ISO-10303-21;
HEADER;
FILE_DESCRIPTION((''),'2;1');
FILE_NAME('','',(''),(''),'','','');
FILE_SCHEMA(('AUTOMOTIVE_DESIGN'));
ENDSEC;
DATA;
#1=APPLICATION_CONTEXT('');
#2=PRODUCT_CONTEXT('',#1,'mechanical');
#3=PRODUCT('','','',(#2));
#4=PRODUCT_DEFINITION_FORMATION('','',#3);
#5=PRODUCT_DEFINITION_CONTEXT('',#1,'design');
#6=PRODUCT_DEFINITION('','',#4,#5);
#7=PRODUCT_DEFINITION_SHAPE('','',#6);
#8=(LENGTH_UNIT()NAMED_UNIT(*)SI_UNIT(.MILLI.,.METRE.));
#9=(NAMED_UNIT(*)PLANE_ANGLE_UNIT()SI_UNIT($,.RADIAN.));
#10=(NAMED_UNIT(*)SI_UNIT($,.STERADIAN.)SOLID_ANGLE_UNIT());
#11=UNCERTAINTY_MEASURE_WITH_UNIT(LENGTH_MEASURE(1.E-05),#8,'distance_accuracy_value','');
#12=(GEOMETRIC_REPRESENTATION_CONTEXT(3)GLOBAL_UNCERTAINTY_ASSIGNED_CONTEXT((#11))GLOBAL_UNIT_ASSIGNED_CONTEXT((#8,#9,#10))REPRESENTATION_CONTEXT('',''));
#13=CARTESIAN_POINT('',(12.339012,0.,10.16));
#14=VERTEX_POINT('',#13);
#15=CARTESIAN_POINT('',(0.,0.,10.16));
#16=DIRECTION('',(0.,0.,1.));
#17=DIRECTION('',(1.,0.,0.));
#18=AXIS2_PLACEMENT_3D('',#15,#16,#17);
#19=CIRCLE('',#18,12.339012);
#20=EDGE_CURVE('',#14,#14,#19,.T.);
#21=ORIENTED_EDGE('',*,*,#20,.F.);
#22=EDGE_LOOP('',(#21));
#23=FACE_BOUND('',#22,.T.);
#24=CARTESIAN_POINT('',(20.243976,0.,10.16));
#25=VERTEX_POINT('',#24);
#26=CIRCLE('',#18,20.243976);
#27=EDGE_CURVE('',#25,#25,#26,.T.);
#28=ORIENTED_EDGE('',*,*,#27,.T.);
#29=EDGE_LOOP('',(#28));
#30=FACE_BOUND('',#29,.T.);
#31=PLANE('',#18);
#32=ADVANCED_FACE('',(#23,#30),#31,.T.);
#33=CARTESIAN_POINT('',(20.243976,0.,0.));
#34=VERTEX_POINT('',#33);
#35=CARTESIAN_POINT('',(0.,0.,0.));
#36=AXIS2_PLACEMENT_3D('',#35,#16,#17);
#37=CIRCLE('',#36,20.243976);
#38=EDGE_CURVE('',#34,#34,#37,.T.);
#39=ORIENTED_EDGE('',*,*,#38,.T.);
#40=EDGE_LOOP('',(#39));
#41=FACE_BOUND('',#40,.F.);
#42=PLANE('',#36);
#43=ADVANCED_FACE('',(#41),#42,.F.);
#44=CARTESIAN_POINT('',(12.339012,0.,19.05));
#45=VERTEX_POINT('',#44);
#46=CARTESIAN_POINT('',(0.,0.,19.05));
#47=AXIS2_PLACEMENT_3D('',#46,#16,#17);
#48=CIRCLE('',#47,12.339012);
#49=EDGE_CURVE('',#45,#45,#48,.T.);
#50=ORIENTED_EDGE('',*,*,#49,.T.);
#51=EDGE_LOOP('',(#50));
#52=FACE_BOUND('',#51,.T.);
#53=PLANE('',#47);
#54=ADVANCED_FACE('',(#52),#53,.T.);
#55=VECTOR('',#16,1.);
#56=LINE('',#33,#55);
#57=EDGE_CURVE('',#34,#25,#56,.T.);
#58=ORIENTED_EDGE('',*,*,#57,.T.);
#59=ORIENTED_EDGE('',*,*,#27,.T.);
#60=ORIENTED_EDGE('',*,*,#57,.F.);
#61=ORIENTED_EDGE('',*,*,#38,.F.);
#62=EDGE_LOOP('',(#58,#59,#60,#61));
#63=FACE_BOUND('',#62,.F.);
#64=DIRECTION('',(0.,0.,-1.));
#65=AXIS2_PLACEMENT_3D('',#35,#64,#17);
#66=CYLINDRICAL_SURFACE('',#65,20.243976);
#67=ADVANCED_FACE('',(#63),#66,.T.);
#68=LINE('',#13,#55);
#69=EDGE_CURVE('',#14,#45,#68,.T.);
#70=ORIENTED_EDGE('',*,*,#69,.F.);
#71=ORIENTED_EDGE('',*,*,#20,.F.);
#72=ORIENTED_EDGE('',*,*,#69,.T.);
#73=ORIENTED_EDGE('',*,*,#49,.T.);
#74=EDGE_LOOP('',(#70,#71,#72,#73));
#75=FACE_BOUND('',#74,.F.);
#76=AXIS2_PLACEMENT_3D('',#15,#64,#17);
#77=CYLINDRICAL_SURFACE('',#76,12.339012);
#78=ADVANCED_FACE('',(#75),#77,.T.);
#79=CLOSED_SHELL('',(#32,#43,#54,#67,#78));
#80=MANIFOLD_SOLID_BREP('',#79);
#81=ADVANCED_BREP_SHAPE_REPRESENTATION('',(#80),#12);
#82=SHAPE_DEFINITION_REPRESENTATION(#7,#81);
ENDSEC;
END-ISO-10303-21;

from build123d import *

# Parameters (mm, degrees)
F0_R      = 20.2439763863
F1_DEPTH  = 10.16
F2_R      = 12.3390116376
F3_DEPTH  = 8.89
F5_DEPTH  = 0.254
F6_DEPTH  = 0.254
F7_DEPTH  = 2.286
F8_DEPTH  = 2.286
F10_DEPTH = 25.4
F11_DEPTH = 50.8
F12_DEPTH = 1.27
F13_DEPTH = 1.27
F14_DEPTH = 25.4


with BuildPart() as f1:
    # F0 (on Top) → F1 (new body)
    with BuildSketch(Plane.XY):
        Circle(F0_R)
    extrude(amount=F1_DEPTH)

    # F2 (on face) → F3 (join)
    with BuildSketch(Plane.XY.offset(10.16)):
        Circle(F2_R)
    extrude(amount=F3_DEPTH)

    # F4 (on Front) → F5 (join)
    with BuildSketch(Plane.XZ):
        with BuildLine():
            add(Edge.make_bspline(
                [(-12.1147008613, 18.9316812903), (-12.5825885387, 39.643614737), (-14.1043760911, 180.4872847527), (-20.1423116849, 215.1594423433), (-16.5980636671, 214.2285434237), (-12.8136342596, 217.1071550637), (-13.8994905387, 225.3991797656), (-17.690195851, 229.7737918888), (-21.3235962144, 228.5443351063), (-21.72468447, 231.1706865689), (-23.0745608098, 250.4649690024), (-22.9518555989, 256.8313726894), (-25.9612755155, 279.5145026457), (-19.7421258922, 272.3476049684), (-8.8885956952, 268.998501799), (6.6271937698, 261.4946225406), (12.2027765589, 256.1934321206), (17.5689411606, 248.9539384021), (19.5820695948, 242.6412768865), (21.7285943019, 235.2163703421), (21.0795757322, 226.6989574981), (17.1180518063, 124.7114584437), (15.2094878956, 77.70771609), (11.6083548837, 18.1667354361), (12.5199184163, 13.1739974773), (7.8980496645, 11.3722942506), (0.3726356815, 13.3748423837), (-11.8699226938, 12.3427906017), (-12.0266797417, 15.035259866), (-12.1147008613, 18.9316812903)],
                knots=[0, 0, 0, 0, 0.1257254435, 0.1801466998, 0.1919036578, 0.2112403794, 0.2389108592, 0.261334308, 0.2775826335, 0.2907551098, 0.3325149493, 0.3636705446, 0.4039783899, 0.4240659342, 0.4586729556, 0.4992031799, 0.5266476396, 0.5552636706, 0.5809163826, 0.6063516787, 0.6344015668, 0.7303572224, 0.8074506533, 0.8789177389, 0.897509656, 0.9162026247, 0.9446563322, 0.976347968, 1, 1, 1, 1], degree=3))
        make_face()
    extrude(amount=F5_DEPTH)

    # F6 (add): a face of the model
    f6_faces = [f1.faces().sort_by_distance(p)[0] for p in [
        (0.2349858377, 0, 153.5959306446),
    ]]
    extrude(f6_faces, amount=F6_DEPTH)

    # F7 (add): a face of the model
    f7_faces = [f1.faces().sort_by_distance(p)[0] for p in [
        (0.2349858377, 0.254, 153.5959306446),
    ]]
    extrude(f7_faces, amount=F7_DEPTH)

    # F8 (add): a face of the model
    f8_faces = [f1.faces().sort_by_distance(p)[0] for p in [
        (0.2349858377, -0.254, 153.5959306446),
    ]]
    extrude(f8_faces, amount=F8_DEPTH)

    # F9 (on Front) → F10 (join)
    with BuildSketch(Plane.XZ):
        Polygon((-28.4392070025, 277.075022459), (5.8726719581, 261.9545459747), (-7.6194559224, 282.5416624546), align=None)
    extrude(amount=F10_DEPTH)

    # F11 (cut): a face of the model
    f11_faces = [f1.faces().sort_by_distance(p)[0] for p in [
        (-10.061996989, -25.4, 273.8570769628),
    ]]
    extrude(f11_faces, amount=-F11_DEPTH, mode=Mode.SUBTRACT)

    # F12 (cut): a face of the model
    f12_faces = [f1.faces().sort_by_distance(p)[0] for p in [
        (0.248434517, -2.54, 153.5481680876),
    ]]
    extrude(f12_faces, amount=-F12_DEPTH, mode=Mode.SUBTRACT)

    # F13 (cut): a face of the model
    f13_faces = [f1.faces().sort_by_distance(p)[0] for p in [
        (0.248434517, 2.54, 153.5481680876),
    ]]
    extrude(f13_faces, amount=-F13_DEPTH, mode=Mode.SUBTRACT)

    # F14 (cut): a face of the model
    f14_faces = [f1.faces().sort_by_distance(p)[0] for p in [
        (0.248434517, -1.27, 153.5481680876),
    ]]
    extrude(f14_faces, amount=-F14_DEPTH, mode=Mode.SUBTRACT)


solid = f1.part
